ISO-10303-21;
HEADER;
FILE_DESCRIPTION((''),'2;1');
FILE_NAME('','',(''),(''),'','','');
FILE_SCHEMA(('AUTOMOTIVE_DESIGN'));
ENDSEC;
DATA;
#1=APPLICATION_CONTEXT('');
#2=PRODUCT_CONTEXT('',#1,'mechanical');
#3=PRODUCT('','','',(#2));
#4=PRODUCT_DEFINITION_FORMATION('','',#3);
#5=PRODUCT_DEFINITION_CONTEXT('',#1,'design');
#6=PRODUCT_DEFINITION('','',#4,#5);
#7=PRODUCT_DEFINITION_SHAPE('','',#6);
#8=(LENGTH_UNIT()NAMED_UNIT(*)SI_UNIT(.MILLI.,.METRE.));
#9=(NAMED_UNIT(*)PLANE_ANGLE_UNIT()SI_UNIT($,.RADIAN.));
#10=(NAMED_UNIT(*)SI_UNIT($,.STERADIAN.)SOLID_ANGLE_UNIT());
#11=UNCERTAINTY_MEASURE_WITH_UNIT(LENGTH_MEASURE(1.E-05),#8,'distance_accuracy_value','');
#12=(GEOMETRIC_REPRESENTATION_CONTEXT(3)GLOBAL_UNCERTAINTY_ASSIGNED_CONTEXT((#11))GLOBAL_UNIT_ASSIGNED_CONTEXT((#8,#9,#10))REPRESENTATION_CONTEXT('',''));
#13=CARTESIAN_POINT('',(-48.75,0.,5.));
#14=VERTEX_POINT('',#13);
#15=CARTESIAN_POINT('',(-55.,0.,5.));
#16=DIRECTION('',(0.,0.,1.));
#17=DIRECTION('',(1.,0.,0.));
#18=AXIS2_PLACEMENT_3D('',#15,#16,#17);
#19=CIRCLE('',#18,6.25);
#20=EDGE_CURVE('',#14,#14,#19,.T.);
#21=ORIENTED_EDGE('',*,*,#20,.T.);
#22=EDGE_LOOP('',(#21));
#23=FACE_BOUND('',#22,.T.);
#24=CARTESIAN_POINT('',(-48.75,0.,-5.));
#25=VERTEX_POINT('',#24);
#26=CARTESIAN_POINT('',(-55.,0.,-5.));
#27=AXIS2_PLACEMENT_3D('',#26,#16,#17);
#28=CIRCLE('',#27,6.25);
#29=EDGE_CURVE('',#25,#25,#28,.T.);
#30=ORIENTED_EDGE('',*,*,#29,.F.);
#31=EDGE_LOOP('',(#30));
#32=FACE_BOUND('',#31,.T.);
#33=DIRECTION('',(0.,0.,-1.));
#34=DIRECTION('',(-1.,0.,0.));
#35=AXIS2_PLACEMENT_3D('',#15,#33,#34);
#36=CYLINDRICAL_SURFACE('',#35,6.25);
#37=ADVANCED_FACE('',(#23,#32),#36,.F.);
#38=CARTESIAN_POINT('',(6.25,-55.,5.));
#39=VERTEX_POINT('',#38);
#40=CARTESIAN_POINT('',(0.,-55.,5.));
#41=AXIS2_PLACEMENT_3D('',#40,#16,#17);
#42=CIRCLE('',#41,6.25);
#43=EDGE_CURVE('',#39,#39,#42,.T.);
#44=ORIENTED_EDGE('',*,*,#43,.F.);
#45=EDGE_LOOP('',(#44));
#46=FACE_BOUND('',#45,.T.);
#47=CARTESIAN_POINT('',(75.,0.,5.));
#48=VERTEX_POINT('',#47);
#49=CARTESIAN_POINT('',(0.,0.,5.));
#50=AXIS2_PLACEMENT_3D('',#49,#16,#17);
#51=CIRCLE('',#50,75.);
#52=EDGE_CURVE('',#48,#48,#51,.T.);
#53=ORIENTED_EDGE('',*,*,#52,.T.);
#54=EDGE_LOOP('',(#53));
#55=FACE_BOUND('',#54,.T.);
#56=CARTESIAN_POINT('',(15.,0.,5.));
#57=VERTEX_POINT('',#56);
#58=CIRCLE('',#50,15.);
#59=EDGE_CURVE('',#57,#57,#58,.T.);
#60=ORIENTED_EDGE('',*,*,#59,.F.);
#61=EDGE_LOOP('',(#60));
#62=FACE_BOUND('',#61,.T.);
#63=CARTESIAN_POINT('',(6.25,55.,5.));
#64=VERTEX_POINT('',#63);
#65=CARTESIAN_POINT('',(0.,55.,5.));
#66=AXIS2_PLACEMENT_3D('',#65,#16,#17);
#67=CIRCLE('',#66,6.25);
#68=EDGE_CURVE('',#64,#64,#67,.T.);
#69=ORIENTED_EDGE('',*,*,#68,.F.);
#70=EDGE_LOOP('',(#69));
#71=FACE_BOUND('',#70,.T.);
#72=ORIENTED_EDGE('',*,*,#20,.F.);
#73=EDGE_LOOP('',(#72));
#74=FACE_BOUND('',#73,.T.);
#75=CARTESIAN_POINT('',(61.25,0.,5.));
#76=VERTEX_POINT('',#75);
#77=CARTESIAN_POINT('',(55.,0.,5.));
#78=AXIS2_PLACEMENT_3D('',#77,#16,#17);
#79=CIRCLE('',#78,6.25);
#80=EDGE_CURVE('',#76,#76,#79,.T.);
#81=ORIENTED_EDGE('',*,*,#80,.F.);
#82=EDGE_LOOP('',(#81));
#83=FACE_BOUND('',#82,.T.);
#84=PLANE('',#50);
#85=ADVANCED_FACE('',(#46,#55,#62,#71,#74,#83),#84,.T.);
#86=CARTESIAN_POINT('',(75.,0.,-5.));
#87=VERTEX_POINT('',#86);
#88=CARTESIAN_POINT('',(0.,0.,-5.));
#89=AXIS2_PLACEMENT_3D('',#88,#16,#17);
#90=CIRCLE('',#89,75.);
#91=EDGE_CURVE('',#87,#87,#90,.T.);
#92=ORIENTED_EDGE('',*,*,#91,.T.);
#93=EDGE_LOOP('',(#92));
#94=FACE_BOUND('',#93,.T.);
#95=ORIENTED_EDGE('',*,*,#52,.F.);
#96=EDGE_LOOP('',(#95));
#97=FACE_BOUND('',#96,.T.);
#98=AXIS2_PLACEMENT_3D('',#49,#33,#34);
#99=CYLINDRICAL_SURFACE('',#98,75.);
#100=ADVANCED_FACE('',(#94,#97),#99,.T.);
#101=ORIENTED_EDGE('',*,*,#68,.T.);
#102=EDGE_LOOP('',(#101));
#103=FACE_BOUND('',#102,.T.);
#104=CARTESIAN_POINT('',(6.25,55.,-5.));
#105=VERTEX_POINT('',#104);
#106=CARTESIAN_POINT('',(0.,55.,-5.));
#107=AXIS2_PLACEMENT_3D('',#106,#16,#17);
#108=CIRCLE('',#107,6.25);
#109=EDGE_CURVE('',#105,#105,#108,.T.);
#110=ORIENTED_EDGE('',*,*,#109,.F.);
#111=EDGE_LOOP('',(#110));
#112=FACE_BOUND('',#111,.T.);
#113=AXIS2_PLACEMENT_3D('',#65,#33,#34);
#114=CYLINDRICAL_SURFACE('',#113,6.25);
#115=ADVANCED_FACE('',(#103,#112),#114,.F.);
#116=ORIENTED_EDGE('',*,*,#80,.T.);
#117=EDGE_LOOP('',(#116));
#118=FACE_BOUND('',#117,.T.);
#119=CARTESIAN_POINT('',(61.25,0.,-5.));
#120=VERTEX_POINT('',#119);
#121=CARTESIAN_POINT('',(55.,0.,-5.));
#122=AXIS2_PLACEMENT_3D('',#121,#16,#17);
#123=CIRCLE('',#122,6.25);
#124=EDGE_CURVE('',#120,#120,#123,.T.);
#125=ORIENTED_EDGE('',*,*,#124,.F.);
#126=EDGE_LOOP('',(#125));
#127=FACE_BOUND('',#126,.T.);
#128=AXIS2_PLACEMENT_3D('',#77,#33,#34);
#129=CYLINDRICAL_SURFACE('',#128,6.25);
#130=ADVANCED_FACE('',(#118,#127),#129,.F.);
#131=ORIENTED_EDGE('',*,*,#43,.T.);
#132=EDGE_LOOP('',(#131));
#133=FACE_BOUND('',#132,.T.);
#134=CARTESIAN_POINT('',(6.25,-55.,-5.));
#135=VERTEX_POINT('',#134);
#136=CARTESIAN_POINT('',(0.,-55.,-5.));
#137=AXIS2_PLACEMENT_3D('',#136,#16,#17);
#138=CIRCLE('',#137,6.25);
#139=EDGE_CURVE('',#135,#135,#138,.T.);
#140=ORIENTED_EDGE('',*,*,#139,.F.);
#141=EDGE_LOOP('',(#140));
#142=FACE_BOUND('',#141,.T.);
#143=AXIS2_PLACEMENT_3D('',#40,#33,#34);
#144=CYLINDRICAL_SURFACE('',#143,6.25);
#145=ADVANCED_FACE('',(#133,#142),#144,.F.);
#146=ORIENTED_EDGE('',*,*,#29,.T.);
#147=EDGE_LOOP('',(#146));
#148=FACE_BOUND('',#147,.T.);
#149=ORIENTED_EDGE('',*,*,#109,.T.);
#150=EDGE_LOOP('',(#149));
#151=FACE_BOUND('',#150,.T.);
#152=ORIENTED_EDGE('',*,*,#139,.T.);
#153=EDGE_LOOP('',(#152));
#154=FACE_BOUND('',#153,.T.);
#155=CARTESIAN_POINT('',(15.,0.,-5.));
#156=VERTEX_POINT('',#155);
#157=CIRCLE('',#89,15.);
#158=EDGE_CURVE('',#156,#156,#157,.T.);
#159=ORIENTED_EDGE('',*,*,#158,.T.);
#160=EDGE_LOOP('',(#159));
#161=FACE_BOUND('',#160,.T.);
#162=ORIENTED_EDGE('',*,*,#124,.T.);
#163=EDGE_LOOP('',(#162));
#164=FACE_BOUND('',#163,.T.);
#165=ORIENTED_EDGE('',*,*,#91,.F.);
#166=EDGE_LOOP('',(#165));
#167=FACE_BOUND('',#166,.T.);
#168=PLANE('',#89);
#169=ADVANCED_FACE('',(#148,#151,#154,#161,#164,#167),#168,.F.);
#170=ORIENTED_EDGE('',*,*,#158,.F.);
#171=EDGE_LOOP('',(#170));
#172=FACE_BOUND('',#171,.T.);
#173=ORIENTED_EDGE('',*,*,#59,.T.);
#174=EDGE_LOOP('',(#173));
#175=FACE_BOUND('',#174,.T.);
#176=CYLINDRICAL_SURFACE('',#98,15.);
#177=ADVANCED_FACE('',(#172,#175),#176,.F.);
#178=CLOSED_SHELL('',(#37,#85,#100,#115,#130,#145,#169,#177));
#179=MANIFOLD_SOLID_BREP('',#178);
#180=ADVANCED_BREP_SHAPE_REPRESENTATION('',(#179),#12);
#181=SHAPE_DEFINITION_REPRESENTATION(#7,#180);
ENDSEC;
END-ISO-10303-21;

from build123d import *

# Parameters (mm, degrees)
ESQUISSE1_R        = 75
ESQUISSE1_R_2      = 15
ESQUISSE1_R_3      = 6.25
BOSS_EXTRU_1_DEPTH = 5


with BuildPart() as part:
    # Esquisse1 → Boss.-Extru.1 (new body, symmetric)
    with BuildSketch(Plane.XY):
        Circle(ESQUISSE1_R)
        Circle(ESQUISSE1_R_2, mode=Mode.SUBTRACT)
        with Locations((0, 55)):
            Circle(ESQUISSE1_R_3, mode=Mode.SUBTRACT)
        with Locations((-55, 0)):
            Circle(ESQUISSE1_R_3, mode=Mode.SUBTRACT)
        with Locations((0, -55)):
            Circle(ESQUISSE1_R_3, mode=Mode.SUBTRACT)
        with Locations((55, 0)):
            Circle(ESQUISSE1_R_3, mode=Mode.SUBTRACT)
    extrude(amount=BOSS_EXTRU_1_DEPTH, both=True)


solid = part.part
